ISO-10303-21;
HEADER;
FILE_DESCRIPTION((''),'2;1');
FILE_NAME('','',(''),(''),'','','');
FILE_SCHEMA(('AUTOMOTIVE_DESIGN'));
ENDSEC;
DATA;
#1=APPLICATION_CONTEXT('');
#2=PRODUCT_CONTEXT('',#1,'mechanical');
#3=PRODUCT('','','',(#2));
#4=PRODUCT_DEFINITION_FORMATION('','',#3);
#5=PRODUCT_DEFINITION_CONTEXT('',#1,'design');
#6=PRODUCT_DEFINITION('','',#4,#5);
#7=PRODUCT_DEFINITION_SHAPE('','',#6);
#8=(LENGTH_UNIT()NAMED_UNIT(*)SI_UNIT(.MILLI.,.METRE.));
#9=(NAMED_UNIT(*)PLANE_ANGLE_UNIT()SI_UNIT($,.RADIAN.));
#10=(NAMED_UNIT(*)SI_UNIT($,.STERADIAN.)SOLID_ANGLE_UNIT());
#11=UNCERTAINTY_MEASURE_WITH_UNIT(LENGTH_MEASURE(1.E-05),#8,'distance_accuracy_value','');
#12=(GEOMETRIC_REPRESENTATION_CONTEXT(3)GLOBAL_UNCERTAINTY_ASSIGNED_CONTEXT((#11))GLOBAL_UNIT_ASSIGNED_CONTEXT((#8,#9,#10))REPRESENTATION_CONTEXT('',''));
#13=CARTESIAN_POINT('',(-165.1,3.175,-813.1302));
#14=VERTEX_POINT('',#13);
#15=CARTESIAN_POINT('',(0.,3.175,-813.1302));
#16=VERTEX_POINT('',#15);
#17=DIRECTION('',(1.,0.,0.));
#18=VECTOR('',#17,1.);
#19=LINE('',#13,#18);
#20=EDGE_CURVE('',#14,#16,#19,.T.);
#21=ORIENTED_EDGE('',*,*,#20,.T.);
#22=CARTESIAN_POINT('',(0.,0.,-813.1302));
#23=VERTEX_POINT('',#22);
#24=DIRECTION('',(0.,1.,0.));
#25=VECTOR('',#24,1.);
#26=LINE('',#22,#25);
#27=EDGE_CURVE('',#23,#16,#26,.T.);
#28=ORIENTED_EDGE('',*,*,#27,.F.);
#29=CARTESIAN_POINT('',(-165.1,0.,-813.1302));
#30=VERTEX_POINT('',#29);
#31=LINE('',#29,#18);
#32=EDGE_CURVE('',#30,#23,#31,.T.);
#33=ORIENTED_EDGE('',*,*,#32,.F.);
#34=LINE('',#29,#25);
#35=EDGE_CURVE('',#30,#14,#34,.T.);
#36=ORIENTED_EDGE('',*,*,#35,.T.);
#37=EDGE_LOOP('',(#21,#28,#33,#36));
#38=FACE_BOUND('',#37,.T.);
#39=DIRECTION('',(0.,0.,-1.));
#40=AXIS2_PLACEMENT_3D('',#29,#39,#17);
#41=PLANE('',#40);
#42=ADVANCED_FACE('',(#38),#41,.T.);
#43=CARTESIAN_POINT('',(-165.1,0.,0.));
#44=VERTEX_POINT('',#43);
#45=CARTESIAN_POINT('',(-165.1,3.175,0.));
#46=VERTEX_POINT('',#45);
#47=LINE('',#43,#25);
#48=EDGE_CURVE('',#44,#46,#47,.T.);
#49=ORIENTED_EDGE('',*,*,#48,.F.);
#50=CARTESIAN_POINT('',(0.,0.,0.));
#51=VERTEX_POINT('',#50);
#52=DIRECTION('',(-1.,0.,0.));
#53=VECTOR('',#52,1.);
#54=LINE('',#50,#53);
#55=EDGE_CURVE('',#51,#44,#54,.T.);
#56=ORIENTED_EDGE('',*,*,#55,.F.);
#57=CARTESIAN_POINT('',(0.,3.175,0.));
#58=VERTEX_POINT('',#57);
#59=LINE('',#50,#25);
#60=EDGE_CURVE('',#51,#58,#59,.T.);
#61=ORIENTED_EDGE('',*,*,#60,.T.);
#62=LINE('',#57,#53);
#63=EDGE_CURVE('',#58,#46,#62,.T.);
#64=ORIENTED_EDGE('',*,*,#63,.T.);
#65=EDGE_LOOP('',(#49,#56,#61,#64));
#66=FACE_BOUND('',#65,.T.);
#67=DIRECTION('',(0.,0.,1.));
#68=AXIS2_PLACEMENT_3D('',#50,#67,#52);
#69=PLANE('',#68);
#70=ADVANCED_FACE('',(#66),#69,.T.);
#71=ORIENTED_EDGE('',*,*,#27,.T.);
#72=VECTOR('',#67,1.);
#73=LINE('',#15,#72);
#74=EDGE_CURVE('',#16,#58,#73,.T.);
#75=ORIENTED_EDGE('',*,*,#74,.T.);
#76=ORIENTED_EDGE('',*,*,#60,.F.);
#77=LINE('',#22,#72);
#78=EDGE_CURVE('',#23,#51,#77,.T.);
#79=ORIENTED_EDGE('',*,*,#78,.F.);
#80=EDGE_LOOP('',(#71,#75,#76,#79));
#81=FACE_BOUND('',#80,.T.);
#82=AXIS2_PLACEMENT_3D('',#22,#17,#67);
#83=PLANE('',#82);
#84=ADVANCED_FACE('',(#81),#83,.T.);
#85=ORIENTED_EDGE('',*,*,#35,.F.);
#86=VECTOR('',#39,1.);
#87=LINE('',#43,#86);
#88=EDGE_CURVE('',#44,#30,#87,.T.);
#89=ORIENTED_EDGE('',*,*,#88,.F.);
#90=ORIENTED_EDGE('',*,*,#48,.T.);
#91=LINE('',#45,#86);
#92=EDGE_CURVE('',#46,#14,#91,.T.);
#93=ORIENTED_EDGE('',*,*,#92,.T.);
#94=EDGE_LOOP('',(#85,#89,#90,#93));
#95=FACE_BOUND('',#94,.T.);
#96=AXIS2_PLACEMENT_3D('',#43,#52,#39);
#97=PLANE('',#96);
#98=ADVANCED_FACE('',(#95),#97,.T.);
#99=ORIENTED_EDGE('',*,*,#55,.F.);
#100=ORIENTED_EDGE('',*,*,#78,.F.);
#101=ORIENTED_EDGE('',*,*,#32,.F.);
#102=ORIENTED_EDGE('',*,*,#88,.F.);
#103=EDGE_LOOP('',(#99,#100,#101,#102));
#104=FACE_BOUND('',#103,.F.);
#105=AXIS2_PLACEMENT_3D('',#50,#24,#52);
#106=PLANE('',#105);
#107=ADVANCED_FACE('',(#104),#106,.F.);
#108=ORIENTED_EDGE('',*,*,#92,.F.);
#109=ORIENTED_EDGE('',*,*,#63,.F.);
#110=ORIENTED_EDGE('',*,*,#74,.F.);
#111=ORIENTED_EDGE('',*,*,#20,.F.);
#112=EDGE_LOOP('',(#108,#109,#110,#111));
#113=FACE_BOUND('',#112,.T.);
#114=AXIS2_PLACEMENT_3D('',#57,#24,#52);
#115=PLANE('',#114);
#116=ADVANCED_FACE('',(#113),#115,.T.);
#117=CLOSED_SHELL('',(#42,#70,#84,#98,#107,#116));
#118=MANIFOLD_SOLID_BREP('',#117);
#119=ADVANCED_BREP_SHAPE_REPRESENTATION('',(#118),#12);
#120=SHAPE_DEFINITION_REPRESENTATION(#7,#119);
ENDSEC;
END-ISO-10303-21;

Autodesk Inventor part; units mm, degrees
ref_plane "YZ Plane" through (0, 0, 0) normal (1, 0, 0) x (0, 1, 0)
ref_plane "XZ Plane" through (0, 0, 0) normal (0, 1, 0) x (-1, 0, 0)
ref_plane "XY Plane" through (0, 0, 0) normal (0, 0, 1) x (1, 0, 0)
sketch "Sketch1" plane through (0, 0, 0) normal (0, 1, 0) x (-1, 0, 0)
  line L0 (0, 0) -> (165.1, 0)
  line L1 (165.1, 0) -> (165.1, -813.1302)
  line L2 (165.1, -813.1302) -> (0, -813.1302)
  line L3 (0, -813.1302) -> (0, 0)
  dimension "d0" = 165.1
  dimension "d1" = 813.1302
extrude "Extrusion1" add sketch "Sketch1" along normal blind 3.175
properties part number "Starter_Shingle_With_Dimensions_6.5_x_30.389_Inches"
